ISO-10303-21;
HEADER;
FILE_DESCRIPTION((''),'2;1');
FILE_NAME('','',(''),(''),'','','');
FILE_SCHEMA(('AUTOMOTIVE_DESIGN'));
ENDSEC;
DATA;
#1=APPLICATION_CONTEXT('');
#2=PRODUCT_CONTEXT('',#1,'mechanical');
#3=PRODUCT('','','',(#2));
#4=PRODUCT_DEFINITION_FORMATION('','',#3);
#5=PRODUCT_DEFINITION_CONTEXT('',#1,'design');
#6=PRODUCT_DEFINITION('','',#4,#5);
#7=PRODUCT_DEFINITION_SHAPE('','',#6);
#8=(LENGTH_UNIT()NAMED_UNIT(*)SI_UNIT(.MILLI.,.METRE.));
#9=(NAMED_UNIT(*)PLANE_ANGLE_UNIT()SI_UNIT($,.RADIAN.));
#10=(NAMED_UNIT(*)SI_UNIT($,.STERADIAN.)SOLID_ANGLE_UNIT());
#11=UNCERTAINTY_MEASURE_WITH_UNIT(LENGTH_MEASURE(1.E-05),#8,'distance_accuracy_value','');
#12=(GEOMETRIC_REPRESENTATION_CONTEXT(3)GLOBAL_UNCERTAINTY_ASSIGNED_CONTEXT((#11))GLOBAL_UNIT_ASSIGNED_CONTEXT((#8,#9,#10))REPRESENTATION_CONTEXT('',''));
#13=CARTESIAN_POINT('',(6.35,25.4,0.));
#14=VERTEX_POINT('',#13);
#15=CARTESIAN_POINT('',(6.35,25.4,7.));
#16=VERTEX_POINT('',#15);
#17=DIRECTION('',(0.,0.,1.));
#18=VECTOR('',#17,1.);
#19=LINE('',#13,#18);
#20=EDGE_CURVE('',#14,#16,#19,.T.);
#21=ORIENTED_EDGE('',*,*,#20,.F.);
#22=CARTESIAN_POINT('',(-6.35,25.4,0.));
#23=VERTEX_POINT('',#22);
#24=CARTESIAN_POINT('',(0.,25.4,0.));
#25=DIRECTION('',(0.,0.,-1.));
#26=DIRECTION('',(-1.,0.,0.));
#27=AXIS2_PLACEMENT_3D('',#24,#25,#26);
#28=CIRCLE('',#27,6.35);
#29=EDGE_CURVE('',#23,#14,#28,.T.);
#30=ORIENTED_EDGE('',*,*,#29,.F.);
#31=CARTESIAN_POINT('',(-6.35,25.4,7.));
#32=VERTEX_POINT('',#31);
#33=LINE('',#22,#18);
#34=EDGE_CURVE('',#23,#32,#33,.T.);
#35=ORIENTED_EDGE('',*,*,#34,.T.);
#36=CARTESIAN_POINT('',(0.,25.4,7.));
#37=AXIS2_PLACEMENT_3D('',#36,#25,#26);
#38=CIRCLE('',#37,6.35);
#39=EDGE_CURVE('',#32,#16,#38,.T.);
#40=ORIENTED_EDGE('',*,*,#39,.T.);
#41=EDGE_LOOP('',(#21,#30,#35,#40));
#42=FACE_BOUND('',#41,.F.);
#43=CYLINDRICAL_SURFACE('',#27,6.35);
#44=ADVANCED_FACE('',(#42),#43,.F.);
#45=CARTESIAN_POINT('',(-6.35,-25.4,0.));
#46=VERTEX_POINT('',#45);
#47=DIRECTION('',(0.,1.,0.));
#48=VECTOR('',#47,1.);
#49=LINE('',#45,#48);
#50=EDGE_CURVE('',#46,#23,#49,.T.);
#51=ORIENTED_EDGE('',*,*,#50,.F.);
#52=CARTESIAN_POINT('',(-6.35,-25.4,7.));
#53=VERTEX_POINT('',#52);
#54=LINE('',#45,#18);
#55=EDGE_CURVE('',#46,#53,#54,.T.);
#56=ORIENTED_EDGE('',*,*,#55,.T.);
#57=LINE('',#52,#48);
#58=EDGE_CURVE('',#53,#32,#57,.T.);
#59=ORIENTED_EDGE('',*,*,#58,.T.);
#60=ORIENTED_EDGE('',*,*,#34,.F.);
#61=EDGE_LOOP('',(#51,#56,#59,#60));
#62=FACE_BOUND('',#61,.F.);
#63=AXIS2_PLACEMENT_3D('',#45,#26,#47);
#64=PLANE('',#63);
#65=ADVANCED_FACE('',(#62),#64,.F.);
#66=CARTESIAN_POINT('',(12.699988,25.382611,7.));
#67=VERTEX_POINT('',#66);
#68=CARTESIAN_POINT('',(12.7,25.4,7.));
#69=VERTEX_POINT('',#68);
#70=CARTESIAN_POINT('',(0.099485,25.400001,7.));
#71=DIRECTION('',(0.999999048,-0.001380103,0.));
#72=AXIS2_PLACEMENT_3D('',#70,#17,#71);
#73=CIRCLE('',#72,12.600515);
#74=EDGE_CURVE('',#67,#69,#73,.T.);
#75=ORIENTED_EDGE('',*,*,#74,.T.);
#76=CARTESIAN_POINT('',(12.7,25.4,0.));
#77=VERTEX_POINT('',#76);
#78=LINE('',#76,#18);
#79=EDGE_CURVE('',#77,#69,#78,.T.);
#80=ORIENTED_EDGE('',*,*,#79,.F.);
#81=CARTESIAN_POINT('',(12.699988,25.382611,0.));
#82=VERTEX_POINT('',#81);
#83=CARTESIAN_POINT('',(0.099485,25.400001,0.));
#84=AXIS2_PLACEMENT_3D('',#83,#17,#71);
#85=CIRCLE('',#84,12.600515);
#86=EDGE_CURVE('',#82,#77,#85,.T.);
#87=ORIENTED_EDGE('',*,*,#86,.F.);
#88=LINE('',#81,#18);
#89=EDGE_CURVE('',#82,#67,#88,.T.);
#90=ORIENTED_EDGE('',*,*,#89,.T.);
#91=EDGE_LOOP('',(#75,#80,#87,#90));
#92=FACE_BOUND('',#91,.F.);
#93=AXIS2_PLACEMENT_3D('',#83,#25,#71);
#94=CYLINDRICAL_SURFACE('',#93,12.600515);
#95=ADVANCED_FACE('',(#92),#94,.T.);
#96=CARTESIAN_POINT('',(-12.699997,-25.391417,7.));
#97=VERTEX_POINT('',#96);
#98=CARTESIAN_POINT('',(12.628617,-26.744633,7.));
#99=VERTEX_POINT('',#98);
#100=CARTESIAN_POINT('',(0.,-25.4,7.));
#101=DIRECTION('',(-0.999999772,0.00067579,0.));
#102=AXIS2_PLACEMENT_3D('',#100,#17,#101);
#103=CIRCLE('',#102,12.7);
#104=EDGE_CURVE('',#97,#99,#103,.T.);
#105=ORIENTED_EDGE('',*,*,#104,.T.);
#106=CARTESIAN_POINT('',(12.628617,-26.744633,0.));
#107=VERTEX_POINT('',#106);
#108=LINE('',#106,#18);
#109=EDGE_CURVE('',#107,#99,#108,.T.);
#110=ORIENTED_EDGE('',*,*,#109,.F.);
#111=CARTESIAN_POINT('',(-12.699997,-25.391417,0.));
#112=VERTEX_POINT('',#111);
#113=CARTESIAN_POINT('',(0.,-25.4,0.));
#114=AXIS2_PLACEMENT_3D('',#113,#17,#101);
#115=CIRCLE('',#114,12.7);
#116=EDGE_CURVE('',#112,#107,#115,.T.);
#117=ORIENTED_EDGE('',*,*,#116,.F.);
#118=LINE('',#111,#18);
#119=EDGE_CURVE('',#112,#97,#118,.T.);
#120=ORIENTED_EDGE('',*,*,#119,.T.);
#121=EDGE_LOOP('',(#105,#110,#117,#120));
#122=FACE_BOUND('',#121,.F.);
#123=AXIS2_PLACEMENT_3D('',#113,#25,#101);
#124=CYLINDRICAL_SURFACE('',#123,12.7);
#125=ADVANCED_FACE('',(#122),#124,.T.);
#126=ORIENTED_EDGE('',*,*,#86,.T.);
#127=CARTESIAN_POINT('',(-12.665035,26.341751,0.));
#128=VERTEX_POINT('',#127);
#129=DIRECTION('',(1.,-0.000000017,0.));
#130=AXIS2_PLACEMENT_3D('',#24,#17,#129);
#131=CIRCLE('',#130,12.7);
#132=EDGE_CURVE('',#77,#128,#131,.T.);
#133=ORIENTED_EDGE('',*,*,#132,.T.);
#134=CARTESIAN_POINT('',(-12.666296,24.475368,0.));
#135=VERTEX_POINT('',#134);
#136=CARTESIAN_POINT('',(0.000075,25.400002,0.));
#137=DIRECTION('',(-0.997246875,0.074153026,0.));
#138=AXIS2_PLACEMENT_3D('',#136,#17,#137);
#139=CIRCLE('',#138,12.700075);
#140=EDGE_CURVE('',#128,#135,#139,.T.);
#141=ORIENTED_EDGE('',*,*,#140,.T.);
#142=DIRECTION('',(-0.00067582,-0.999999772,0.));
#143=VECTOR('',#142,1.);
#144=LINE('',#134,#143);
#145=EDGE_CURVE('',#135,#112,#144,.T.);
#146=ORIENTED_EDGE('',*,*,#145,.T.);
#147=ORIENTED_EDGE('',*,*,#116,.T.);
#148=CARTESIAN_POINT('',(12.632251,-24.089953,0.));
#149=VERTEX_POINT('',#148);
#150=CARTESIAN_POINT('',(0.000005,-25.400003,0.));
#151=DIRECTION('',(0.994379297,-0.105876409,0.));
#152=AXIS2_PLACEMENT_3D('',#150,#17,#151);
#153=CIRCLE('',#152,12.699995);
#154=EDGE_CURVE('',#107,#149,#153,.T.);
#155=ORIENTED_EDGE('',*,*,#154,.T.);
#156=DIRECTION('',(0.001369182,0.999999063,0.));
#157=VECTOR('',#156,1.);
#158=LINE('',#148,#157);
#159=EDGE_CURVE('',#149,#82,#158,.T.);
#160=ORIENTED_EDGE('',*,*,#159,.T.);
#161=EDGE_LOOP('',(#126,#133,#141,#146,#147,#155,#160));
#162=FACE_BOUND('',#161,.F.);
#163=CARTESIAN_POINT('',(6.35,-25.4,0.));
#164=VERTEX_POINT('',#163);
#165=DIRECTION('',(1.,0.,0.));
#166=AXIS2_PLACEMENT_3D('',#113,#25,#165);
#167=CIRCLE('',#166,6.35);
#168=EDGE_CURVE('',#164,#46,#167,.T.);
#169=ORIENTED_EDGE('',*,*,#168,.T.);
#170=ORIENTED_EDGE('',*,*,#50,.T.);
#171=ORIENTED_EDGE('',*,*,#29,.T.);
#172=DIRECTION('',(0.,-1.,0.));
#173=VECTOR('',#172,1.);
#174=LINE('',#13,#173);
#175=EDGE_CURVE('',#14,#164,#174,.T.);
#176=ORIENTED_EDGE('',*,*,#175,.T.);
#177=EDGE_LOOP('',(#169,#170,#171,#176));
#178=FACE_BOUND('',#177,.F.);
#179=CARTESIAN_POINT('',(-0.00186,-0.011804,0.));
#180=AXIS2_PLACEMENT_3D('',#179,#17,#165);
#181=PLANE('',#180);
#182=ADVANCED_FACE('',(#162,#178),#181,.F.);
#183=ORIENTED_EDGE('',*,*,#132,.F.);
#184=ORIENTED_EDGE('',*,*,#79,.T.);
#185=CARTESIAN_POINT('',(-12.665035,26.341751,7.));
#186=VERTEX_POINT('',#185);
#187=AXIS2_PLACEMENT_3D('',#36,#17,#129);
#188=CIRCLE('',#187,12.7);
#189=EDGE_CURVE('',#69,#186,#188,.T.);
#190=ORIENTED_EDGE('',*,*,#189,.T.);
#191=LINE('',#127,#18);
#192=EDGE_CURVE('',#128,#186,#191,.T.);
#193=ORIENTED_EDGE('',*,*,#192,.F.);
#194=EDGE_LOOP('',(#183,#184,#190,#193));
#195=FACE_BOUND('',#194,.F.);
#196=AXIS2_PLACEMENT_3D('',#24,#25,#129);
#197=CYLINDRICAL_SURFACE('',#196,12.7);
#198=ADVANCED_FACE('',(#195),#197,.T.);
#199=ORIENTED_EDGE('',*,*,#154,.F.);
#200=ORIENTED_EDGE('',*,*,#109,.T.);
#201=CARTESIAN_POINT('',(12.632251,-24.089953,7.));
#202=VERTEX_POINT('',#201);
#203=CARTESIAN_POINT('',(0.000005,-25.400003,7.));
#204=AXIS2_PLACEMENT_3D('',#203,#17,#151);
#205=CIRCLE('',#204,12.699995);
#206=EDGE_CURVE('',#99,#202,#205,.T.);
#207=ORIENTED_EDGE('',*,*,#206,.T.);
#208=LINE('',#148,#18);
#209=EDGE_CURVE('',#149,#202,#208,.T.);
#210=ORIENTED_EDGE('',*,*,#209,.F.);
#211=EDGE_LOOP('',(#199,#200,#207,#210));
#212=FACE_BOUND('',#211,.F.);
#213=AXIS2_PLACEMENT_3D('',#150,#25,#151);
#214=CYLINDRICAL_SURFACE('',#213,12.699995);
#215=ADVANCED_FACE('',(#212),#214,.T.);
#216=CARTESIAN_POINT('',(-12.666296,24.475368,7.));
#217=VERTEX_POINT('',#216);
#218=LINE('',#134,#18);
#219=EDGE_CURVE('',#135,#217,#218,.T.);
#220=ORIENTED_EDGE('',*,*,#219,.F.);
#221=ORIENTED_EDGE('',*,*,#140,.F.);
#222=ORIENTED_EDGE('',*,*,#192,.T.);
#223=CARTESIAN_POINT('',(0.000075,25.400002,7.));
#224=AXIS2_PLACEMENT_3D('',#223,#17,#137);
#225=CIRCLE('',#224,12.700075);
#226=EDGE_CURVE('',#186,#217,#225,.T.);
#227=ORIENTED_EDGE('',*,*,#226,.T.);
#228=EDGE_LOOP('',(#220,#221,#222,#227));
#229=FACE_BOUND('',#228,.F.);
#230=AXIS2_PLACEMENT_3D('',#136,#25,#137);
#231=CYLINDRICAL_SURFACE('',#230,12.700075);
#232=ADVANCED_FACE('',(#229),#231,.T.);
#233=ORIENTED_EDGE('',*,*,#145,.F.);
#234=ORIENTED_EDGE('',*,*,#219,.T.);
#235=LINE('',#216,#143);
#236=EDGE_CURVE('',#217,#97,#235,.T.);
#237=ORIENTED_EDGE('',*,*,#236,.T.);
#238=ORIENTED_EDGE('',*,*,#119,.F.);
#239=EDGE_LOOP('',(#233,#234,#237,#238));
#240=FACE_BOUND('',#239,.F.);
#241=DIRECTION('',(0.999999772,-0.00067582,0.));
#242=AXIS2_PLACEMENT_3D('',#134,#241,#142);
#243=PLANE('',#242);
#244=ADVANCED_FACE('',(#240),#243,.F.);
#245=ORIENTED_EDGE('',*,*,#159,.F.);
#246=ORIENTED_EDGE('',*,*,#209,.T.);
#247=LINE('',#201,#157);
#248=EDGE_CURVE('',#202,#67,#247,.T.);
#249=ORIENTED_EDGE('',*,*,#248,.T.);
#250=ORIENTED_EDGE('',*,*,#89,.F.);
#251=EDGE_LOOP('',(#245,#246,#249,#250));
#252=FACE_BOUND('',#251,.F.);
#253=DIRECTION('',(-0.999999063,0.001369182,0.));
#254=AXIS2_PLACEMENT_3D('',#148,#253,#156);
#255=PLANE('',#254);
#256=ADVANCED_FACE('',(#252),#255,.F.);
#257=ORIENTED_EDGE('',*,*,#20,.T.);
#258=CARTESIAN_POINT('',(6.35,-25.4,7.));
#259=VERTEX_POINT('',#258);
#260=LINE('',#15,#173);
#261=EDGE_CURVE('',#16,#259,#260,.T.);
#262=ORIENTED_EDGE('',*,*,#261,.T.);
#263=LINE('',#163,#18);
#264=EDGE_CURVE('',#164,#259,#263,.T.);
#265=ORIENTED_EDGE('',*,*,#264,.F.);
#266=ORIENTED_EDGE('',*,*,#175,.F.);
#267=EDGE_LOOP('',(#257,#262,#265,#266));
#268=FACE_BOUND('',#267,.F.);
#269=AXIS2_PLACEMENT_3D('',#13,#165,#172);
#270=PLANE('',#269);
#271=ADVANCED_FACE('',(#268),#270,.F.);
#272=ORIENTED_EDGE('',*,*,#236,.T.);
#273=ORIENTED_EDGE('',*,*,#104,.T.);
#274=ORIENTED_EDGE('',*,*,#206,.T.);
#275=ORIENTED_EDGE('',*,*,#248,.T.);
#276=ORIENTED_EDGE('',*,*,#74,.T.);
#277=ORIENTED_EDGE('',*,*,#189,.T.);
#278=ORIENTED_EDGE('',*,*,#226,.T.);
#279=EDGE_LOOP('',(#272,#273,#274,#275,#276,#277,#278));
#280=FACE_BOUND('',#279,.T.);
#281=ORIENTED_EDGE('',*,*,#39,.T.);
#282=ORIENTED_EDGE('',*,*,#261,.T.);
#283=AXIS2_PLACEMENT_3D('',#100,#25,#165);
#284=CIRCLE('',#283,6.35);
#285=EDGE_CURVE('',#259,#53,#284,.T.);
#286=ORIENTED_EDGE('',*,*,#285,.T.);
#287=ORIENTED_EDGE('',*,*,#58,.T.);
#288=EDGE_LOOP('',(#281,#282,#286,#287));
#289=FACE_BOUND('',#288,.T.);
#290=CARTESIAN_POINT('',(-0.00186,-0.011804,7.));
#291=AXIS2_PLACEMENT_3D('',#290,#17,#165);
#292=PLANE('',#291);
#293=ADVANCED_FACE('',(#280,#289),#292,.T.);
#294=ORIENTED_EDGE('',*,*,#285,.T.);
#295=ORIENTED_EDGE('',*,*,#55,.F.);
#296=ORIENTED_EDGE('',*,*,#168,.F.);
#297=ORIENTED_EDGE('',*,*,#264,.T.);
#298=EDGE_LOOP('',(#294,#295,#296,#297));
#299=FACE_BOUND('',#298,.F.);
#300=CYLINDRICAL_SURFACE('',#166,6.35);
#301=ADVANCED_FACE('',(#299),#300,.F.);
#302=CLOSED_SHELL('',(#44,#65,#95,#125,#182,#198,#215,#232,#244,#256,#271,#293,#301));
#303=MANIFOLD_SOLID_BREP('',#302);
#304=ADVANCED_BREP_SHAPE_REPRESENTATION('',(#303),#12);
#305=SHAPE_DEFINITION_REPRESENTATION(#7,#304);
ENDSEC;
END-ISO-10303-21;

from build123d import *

# Parameters (mm, degrees)
F1_DEPTH = 7


with BuildPart() as f1:
    # F0 (on Top) → F1 (new body)
    with BuildSketch(Plane.XY):
        with BuildLine():
            Line((12.632251, -24.089953), (12.699988, 25.382611))
            ThreePointArc((12.699988, 25.382611), (12.699997, 25.391306), (12.7, 25.4))
            ThreePointArc((12.7, 25.4), (0.4712, 38.091256), (-12.665035, 26.341751))
            Line((-12.665035, 26.341751), (-12.666296, 24.475368))
            Line((-12.666296, 24.475368), (-12.699997, -25.391417))
            ThreePointArc((-12.699997, -25.391417), (-0.677549, -38.081913), (12.628617, -26.744633))
            Line((12.628617, -26.744633), (12.632251, -24.089953))
        make_face()
        with BuildLine():
            ThreePointArc((-6.35, 25.4), (0, 31.75), (6.35, 25.4))
            Line((6.35, 25.4), (6.35, -25.4))
            ThreePointArc((6.35, -25.4), (0, -31.75), (-6.35, -25.4))
            Line((-6.35, -25.4), (-6.35, 25.4))
        make_face(mode=Mode.SUBTRACT)
        with BuildLine():
            ThreePointArc((12.628617, -26.744633), (12.699988, -25.417389), (12.632251, -24.089953))
            Line((12.632251, -24.089953), (12.628617, -26.744633))
        make_face()
        with BuildLine():
            Line((-12.666296, 24.475368), (-12.665035, 26.341751))
            ThreePointArc((-12.665035, 26.341751), (-12.699997, 25.408583), (-12.666296, 24.475368))
        make_face()
    extrude(amount=F1_DEPTH)


solid = f1.part
